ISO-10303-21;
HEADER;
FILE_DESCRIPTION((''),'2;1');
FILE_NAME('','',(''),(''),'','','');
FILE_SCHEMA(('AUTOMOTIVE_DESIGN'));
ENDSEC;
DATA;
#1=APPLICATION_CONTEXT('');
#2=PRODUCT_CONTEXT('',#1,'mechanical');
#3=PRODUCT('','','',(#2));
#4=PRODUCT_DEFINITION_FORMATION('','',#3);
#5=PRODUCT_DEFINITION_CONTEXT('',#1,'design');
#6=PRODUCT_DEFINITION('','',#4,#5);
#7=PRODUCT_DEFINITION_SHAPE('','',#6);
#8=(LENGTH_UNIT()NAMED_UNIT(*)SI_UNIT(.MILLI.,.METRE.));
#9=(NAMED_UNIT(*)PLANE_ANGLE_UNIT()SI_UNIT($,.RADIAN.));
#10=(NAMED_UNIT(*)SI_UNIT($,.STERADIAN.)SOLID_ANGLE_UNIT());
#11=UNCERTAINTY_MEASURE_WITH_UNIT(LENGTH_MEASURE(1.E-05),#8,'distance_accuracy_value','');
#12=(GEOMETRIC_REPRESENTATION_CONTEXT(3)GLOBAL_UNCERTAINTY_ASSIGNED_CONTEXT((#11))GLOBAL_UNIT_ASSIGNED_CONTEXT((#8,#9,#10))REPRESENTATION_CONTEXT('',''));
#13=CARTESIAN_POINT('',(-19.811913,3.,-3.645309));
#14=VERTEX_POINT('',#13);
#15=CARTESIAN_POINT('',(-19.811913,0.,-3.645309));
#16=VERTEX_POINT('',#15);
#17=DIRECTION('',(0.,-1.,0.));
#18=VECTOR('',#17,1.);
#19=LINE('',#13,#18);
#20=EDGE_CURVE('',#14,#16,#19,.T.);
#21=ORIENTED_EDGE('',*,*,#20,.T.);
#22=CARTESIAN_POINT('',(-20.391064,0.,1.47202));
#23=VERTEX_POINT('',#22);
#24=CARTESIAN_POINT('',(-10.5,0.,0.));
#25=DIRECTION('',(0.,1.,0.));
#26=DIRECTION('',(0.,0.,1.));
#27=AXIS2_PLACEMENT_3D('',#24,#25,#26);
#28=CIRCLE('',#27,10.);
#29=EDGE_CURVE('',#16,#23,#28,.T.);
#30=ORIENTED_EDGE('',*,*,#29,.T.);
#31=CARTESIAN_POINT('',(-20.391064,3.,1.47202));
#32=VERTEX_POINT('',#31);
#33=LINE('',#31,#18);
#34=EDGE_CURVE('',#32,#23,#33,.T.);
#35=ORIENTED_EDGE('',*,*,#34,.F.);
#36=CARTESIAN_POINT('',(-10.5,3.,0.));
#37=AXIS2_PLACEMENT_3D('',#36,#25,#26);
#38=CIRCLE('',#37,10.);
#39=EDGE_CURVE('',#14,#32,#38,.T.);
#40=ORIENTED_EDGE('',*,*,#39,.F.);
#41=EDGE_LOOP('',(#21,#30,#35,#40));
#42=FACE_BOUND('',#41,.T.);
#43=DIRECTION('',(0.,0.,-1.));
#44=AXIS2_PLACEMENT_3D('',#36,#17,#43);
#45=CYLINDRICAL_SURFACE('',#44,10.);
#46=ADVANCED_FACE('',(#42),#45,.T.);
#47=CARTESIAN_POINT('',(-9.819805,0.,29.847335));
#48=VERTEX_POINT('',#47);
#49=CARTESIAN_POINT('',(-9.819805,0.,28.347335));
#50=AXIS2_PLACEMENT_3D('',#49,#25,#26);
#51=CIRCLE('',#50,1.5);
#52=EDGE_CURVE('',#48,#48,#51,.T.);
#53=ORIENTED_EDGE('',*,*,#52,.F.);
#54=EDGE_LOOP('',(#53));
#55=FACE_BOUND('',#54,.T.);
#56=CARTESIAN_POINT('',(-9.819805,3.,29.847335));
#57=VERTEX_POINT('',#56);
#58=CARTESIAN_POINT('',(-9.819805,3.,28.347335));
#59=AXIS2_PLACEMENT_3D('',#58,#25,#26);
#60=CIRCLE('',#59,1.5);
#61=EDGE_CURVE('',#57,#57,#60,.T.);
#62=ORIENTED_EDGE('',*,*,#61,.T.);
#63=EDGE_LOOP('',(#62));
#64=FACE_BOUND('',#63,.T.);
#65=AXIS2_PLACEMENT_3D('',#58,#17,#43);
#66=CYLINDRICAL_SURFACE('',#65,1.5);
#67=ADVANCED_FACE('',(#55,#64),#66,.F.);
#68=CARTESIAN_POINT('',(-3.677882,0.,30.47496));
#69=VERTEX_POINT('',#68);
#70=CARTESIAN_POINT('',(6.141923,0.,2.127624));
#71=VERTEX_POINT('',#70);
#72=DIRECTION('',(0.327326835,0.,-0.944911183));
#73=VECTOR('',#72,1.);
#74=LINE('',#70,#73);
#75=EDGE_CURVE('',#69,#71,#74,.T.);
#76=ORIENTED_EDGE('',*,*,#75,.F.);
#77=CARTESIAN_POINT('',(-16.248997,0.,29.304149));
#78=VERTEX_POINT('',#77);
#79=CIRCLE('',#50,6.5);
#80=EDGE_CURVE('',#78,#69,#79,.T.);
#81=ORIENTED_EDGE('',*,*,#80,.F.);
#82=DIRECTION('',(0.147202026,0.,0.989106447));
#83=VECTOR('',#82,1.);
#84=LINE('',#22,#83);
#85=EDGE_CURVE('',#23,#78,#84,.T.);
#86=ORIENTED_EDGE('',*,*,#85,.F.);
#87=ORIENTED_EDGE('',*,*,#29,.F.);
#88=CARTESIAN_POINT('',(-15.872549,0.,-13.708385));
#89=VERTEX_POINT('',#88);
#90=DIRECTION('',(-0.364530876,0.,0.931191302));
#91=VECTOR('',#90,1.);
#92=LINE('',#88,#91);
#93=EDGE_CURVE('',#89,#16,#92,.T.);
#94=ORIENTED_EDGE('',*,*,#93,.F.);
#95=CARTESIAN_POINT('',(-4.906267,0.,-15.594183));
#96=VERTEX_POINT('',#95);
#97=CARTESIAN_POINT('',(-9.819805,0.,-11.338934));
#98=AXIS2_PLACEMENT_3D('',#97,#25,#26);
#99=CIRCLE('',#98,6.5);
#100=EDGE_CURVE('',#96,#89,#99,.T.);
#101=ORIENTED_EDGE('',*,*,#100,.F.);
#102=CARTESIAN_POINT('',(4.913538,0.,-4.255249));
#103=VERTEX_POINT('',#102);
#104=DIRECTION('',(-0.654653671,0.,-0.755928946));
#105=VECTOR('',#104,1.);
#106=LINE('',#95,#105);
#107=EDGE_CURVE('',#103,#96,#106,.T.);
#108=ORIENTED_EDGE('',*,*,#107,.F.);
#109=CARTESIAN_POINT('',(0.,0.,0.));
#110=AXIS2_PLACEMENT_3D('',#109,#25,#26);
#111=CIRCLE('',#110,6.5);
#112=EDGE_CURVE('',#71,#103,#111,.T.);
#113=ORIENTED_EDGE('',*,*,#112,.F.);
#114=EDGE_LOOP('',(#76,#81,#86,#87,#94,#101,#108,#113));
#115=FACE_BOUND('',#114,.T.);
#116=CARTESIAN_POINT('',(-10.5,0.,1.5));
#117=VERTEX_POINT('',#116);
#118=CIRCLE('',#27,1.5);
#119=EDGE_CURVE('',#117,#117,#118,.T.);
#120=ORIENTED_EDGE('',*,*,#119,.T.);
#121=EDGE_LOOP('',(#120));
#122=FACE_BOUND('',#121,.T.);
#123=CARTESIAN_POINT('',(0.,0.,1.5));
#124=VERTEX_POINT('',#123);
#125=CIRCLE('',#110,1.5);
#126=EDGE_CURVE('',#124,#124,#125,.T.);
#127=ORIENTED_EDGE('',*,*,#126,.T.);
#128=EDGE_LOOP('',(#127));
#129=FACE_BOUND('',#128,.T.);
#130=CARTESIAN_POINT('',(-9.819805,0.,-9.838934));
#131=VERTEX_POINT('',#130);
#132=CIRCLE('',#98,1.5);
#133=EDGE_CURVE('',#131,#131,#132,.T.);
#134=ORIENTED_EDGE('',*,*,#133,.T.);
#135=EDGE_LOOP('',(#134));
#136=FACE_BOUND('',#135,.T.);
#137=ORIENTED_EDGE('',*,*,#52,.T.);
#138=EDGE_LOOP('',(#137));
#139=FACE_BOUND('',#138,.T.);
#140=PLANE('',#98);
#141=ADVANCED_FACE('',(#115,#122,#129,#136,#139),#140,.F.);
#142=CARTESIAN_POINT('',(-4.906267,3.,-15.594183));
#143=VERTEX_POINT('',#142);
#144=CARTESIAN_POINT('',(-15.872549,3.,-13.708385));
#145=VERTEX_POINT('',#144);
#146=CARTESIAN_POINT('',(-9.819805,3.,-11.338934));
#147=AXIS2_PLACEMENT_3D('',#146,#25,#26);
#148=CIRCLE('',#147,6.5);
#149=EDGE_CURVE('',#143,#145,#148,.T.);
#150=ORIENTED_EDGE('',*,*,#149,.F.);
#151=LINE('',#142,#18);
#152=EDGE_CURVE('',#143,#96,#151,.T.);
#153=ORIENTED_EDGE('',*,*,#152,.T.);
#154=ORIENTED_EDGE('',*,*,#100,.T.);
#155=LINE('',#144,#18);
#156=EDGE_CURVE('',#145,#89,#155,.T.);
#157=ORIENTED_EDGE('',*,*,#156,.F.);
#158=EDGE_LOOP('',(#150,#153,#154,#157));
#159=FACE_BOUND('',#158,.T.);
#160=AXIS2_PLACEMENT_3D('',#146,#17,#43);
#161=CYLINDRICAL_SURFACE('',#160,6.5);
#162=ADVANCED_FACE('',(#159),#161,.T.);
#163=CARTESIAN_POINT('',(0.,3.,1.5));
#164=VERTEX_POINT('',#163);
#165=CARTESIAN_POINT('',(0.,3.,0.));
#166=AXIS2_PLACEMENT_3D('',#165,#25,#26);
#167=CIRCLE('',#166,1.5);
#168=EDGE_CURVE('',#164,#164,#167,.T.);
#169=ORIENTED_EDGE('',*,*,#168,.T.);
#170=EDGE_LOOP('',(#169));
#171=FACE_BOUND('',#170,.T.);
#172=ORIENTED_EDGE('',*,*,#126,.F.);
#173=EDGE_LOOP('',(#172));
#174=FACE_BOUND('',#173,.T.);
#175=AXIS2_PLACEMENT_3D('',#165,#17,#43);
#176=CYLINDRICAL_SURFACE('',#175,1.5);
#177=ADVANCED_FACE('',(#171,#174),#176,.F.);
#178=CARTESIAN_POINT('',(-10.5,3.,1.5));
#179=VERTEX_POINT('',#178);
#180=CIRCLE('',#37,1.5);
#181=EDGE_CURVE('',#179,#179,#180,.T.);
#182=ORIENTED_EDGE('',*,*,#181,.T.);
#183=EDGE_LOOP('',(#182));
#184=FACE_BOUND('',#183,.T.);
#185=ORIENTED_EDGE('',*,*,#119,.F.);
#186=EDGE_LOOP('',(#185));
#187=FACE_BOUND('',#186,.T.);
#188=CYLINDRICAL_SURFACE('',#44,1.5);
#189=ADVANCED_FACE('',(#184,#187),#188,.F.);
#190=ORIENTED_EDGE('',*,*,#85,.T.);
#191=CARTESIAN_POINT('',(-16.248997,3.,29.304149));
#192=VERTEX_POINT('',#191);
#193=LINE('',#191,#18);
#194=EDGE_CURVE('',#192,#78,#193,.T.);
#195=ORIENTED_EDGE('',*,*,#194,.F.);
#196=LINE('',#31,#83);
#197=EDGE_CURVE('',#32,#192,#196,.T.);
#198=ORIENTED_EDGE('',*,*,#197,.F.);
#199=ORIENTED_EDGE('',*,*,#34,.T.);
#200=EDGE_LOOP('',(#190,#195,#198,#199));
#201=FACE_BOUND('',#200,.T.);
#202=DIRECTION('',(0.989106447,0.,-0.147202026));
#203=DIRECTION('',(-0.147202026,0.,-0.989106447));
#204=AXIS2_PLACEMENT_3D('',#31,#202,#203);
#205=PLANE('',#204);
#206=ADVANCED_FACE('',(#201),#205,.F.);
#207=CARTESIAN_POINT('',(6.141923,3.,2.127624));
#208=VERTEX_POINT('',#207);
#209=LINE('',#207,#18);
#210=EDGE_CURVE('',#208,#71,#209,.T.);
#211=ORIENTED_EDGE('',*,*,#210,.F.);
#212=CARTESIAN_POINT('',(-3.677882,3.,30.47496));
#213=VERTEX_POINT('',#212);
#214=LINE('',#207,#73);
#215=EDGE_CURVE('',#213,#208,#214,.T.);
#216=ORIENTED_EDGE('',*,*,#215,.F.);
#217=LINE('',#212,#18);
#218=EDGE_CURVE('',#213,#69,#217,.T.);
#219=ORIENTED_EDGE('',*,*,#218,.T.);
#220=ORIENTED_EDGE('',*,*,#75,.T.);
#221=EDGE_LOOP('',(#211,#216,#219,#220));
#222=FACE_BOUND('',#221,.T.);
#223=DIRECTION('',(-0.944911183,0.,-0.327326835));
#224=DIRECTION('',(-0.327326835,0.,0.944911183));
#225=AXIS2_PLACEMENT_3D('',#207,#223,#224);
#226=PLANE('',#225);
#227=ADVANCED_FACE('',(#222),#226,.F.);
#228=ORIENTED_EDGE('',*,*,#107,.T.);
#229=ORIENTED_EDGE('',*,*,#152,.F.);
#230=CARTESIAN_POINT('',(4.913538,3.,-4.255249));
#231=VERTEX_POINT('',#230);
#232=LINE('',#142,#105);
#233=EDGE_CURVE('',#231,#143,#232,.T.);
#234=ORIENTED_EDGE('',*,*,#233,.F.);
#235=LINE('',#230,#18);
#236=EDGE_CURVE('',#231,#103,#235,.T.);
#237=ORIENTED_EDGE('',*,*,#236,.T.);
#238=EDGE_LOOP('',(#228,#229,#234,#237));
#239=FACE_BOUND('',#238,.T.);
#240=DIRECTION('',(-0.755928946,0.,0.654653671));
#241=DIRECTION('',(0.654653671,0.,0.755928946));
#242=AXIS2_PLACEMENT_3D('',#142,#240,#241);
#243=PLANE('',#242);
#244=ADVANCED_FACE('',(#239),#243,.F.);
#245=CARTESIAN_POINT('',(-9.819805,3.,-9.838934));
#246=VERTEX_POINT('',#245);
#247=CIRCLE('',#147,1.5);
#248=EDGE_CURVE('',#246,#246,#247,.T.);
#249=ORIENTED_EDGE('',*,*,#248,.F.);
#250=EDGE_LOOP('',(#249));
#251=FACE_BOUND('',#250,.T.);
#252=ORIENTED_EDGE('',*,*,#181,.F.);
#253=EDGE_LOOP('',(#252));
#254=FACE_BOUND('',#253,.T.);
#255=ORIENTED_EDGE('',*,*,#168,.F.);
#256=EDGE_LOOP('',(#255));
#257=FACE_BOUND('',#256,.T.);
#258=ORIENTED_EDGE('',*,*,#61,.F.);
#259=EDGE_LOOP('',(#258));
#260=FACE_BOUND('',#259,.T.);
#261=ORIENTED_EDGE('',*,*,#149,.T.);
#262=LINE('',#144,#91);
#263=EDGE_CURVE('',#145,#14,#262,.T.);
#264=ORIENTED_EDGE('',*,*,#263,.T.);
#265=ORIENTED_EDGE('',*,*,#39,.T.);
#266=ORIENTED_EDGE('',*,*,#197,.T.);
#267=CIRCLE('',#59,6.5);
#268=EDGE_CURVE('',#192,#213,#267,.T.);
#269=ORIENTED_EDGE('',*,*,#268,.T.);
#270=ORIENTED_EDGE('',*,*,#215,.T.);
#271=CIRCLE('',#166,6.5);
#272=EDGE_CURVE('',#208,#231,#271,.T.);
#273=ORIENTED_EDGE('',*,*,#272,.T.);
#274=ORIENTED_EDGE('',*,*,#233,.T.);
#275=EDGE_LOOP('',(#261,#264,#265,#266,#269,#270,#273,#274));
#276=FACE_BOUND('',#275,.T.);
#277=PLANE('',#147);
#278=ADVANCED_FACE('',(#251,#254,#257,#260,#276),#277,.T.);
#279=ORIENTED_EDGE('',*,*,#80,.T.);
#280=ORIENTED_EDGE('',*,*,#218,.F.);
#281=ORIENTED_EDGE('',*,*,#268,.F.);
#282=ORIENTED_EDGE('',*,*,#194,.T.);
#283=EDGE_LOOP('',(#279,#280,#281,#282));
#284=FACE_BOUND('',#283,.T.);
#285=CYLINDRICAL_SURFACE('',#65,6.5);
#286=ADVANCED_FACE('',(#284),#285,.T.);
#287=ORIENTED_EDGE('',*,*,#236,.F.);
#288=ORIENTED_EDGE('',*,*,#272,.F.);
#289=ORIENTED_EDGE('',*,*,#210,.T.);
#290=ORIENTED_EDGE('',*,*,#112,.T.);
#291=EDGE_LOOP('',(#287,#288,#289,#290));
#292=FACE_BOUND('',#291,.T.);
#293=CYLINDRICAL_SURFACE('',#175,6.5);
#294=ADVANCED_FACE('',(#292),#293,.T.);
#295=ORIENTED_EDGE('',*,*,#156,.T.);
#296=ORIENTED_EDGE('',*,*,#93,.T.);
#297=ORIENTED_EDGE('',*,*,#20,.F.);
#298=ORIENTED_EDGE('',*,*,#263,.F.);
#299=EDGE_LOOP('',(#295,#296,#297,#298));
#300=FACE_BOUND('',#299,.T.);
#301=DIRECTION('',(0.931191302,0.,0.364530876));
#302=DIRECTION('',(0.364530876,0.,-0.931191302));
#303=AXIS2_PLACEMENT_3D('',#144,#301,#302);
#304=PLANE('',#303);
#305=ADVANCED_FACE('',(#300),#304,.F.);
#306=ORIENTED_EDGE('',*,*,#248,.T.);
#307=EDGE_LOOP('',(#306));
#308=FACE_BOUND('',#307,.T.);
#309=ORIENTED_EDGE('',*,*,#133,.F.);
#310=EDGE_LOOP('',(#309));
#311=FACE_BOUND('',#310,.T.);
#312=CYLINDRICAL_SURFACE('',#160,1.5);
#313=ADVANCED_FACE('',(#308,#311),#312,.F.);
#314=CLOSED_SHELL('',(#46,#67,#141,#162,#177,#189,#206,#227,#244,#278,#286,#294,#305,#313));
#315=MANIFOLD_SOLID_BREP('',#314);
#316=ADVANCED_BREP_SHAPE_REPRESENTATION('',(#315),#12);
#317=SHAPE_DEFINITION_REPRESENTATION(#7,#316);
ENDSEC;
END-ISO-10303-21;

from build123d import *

# Parameters (mm, degrees)
SKETCH_1_R      = 1.5
EXTRUDE_1_DEPTH = 3


with BuildPart() as part:
    # ｽｹｯﾁ1 → ﾎﾞｽ - 押し出し1 (new body)
    with BuildSketch(Plane(origin=(0, 0, 0), x_dir=(1, 0, 0), z_dir=(0, 1, 0))):
        with BuildLine():
            Line((-4.906266911, 15.59418305), (4.913538149, 4.25524886))
            ThreePointArc((4.913538149, 4.25524886), (6.382873289, 1.228384537), (6.141922686, -2.12762443))
            Line((6.141922686, -2.12762443), (-3.677882374, -30.474959905))
            ThreePointArc((-3.677882374, -30.474959905), (-10.422574216, -34.819326618), (-16.248996967, -29.304148642))
            Line((-16.248996967, -29.304148642), (-20.391064471, -1.472020255))
            ThreePointArc((-20.391064471, -1.472020255), (-20.436566317, 1.124566508), (-19.811913018, 3.645308758))
            Line((-19.811913018, 3.645308758), (-15.872548522, 13.708384883))
            ThreePointArc((-15.872548522, 13.708384883), (-10.921397484, 17.744907507), (-4.906266911, 15.59418305))
        make_face()
        with Locations(Location((0, 0, 0), (0, 0, 270))):
            Circle(SKETCH_1_R, mode=Mode.SUBTRACT)
        with Locations(Location((-9.819805061, 11.33893419, 0), (0, 0, 270))):
            Circle(SKETCH_1_R, mode=Mode.SUBTRACT)
        with Locations(Location((-9.819805061, -28.347335476, 0), (0, 0, 270))):
            Circle(SKETCH_1_R, mode=Mode.SUBTRACT)
        with Locations(Location((-10.5, 0, 0), (0, 0, 270))):
            Circle(SKETCH_1_R, mode=Mode.SUBTRACT)
    extrude(amount=EXTRUDE_1_DEPTH)


solid = part.part
